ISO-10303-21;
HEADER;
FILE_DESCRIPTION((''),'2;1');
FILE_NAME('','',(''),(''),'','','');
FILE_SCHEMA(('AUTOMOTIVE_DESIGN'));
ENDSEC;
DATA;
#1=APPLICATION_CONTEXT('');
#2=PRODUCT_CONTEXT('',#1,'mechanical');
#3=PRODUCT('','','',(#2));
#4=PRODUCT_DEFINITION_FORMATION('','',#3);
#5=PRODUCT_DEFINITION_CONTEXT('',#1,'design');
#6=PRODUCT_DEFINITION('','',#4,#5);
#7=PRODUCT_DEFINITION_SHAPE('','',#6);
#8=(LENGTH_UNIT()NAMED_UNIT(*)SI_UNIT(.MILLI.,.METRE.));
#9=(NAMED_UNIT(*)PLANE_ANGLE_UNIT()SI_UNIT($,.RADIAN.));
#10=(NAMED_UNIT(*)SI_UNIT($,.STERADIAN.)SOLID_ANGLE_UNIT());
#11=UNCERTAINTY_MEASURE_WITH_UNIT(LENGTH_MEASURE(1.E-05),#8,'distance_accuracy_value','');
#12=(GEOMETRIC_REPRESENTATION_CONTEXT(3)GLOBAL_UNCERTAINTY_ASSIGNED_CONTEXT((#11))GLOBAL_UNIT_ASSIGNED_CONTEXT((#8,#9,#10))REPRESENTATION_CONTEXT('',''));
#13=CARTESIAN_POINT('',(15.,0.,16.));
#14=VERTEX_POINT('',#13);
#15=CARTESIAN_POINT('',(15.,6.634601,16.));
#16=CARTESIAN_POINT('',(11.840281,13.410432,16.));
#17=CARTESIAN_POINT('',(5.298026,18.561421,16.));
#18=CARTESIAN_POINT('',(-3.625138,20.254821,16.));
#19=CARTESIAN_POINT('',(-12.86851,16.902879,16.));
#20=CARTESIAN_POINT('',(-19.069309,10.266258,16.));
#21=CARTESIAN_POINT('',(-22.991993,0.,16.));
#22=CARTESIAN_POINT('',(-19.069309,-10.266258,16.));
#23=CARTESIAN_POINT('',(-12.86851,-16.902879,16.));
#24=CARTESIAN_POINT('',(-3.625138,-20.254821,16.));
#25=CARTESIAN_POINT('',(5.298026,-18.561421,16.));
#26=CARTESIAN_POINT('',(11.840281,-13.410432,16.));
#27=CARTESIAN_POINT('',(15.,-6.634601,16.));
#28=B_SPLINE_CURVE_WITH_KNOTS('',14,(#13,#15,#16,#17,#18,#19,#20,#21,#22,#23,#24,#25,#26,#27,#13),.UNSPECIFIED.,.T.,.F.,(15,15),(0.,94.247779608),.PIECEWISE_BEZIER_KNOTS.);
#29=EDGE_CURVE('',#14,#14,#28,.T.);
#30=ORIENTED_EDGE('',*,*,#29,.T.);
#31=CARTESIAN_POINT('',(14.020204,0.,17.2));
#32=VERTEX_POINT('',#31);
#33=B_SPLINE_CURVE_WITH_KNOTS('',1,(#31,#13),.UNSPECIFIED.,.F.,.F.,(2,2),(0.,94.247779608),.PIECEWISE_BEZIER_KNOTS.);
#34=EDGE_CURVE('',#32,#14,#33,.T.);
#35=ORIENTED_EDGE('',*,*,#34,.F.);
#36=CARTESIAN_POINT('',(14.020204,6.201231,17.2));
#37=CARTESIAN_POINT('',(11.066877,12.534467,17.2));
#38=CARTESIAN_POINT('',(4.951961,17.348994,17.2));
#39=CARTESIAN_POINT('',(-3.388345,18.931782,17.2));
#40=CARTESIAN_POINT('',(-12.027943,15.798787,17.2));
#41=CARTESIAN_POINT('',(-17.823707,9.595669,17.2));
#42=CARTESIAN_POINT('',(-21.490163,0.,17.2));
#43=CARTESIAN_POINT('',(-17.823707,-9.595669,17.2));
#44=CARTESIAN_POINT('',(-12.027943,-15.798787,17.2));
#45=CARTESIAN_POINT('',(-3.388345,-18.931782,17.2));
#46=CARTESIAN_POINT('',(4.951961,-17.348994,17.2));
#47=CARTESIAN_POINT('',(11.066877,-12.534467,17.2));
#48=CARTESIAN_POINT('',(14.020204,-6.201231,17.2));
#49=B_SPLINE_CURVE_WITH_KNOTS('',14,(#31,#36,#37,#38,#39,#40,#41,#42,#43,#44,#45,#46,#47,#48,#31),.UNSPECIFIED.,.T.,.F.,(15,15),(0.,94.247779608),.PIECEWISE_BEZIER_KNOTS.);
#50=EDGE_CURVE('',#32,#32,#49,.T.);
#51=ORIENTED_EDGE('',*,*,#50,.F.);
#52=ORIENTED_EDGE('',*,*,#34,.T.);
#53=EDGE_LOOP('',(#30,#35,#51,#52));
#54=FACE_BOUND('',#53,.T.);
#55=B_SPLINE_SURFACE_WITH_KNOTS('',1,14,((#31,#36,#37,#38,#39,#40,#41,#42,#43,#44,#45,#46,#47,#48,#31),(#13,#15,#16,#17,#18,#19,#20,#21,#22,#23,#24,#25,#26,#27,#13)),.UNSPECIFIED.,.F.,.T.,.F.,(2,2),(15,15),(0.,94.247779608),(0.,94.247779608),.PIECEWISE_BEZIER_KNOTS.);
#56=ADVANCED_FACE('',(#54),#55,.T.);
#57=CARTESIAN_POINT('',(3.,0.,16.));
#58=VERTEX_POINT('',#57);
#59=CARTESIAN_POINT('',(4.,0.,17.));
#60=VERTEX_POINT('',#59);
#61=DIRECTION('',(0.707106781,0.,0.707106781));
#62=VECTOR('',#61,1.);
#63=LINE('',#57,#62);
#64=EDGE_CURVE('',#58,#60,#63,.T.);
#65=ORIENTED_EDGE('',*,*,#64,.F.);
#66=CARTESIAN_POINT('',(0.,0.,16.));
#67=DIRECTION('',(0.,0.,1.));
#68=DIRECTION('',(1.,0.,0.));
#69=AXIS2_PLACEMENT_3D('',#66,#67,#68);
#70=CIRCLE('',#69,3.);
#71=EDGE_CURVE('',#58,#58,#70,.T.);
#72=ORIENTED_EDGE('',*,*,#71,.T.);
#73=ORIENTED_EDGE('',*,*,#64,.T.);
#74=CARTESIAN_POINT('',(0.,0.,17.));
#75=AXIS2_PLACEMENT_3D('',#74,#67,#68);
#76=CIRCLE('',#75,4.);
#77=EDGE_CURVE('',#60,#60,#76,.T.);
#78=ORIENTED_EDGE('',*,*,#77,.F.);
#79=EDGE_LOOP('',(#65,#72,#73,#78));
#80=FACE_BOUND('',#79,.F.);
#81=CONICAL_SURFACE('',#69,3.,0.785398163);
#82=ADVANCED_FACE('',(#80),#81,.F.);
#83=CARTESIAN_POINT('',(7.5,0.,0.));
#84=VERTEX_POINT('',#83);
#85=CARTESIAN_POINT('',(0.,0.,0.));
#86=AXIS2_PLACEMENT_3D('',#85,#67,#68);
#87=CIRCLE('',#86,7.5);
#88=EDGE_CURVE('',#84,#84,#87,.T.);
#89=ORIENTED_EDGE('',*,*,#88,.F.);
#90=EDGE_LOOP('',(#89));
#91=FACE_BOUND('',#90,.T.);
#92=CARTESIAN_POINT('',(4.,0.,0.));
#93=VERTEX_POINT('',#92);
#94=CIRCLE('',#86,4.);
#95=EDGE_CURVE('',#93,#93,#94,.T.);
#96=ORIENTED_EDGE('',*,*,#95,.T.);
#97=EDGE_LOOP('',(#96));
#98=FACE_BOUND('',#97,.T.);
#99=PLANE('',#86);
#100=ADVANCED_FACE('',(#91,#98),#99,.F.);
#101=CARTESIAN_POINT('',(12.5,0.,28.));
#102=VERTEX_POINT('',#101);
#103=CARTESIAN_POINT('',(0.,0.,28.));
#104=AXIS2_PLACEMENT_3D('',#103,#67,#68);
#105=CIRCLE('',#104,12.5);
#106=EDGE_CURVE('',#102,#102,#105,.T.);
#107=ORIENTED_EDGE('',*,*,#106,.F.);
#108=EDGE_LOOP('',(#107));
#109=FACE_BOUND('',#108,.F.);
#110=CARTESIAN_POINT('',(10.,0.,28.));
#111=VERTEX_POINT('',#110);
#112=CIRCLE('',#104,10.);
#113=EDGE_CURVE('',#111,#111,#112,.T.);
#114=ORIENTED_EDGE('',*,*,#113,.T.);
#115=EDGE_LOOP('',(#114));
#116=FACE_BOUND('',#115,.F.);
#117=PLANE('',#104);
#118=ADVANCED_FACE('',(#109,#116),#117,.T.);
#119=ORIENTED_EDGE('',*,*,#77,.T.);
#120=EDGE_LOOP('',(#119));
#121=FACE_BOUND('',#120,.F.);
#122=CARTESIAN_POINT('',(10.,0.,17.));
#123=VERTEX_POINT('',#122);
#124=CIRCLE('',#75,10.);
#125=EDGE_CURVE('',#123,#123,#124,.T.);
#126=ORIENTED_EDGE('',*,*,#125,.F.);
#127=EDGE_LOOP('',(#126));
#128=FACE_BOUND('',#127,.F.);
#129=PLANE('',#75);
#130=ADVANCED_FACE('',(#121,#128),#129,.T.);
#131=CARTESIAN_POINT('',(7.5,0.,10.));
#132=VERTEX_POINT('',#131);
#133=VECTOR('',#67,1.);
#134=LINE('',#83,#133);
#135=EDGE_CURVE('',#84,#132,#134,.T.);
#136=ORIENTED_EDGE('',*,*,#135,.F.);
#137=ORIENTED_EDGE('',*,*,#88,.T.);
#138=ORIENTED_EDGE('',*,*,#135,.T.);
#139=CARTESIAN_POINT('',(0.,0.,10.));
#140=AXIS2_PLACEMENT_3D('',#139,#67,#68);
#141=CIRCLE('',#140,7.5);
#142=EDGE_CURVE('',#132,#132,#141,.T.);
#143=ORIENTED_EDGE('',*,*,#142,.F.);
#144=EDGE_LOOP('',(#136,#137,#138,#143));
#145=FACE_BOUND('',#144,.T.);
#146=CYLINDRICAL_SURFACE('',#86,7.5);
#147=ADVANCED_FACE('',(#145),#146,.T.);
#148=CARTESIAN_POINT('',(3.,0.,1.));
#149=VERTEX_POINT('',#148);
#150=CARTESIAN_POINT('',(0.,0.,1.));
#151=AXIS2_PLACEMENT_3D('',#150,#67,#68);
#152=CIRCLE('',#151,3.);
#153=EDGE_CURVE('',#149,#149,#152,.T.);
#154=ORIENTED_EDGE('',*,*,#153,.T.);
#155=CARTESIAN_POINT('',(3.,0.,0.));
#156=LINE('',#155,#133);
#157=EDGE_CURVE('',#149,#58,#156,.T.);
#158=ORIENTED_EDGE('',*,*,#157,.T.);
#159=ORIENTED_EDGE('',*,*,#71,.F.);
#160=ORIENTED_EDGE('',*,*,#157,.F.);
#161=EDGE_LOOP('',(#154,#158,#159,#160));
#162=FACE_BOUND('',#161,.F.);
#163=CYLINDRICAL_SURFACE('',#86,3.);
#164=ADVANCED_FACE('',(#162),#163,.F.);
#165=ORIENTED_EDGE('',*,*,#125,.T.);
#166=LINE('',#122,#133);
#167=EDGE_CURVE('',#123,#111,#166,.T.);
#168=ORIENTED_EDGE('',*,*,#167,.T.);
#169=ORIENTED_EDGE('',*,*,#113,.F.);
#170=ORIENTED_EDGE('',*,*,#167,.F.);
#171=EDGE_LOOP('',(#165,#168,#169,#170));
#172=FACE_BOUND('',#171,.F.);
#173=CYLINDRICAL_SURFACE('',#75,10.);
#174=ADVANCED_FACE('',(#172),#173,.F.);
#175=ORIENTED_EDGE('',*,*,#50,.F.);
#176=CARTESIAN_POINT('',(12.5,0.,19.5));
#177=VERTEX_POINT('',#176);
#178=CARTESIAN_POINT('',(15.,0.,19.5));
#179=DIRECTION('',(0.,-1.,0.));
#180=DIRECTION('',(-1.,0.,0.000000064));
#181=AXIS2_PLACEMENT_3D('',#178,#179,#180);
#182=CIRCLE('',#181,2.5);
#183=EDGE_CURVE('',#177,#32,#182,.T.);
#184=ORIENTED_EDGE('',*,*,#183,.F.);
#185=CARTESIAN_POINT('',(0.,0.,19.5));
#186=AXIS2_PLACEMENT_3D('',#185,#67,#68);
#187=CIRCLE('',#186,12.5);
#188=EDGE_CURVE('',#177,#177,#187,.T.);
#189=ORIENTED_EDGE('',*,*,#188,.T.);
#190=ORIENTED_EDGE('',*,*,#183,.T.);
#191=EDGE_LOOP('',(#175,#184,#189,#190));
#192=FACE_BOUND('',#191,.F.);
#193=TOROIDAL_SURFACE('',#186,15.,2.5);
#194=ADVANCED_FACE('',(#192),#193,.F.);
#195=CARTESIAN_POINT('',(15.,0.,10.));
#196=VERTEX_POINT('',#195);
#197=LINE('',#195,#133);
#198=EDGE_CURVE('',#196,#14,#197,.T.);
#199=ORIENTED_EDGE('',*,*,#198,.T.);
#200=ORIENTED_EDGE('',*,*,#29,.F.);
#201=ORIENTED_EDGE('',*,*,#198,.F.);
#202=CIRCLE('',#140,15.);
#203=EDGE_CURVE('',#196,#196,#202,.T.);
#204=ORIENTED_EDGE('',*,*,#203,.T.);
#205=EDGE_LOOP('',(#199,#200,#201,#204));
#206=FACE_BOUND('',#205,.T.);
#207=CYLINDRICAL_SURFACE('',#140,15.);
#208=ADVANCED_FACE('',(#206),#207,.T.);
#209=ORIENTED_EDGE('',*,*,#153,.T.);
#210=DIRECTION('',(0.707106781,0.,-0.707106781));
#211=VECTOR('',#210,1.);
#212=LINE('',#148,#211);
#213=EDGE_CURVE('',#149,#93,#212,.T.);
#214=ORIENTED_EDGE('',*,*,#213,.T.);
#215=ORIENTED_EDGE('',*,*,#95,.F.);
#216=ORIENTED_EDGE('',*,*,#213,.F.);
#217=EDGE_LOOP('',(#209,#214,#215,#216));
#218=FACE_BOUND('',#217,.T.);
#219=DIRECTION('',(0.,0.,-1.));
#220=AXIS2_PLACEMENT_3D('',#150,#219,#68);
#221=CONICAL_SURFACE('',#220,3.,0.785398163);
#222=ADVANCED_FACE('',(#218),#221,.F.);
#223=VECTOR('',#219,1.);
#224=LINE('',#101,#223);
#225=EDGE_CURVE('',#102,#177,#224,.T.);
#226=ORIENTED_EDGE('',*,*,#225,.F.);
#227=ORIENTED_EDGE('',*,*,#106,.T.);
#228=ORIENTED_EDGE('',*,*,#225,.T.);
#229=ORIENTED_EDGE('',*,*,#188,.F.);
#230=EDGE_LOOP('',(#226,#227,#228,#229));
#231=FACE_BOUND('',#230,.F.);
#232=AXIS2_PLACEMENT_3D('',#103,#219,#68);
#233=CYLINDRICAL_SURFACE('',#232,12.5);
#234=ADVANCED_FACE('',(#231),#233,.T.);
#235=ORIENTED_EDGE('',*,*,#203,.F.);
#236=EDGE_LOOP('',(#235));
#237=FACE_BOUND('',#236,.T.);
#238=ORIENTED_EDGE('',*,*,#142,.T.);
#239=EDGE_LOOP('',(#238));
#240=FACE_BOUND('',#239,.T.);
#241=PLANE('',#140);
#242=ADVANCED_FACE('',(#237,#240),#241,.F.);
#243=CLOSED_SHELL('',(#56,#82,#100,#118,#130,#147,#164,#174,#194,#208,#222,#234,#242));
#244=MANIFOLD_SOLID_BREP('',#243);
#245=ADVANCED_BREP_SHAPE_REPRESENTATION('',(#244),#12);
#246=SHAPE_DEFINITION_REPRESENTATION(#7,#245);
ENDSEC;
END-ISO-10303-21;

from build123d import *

# Parameters (mm, degrees)
CHAMFER_SIZE = 1


with BuildPart() as part:
    # Sketch → Revolution (revolve)
    with BuildSketch(Plane.XZ):
        with BuildLine():
            Line((3, 0), (3, 17))
            Line((3, 17), (10, 17))
            Line((10, 17), (10, 28))
            Line((10, 28), (12.5, 28))
            Line((12.5, 28), (12.5, 19.5))
            ThreePointArc((12.5, 19.5), (13.232233, 17.732233), (15, 17))
            Line((15, 10), (15, 17))
            Line((7.5, 10), (15, 10))
            Line((7.5, 0), (7.5, 10))
            Line((3, 0), (7.5, 0))
        make_face()
    revolve(axis=Axis((0, 0, 0), (0, 0, 1)))

    # Chamfer
    chamfer_edges = [part.edges().sort_by_distance(p)[0] for p in [
        (-15, 0, 17),
        (-3, 0, 0),
        (-3, 0, 17),
    ]]
    chamfer(chamfer_edges, length=CHAMFER_SIZE)


solid = part.part
